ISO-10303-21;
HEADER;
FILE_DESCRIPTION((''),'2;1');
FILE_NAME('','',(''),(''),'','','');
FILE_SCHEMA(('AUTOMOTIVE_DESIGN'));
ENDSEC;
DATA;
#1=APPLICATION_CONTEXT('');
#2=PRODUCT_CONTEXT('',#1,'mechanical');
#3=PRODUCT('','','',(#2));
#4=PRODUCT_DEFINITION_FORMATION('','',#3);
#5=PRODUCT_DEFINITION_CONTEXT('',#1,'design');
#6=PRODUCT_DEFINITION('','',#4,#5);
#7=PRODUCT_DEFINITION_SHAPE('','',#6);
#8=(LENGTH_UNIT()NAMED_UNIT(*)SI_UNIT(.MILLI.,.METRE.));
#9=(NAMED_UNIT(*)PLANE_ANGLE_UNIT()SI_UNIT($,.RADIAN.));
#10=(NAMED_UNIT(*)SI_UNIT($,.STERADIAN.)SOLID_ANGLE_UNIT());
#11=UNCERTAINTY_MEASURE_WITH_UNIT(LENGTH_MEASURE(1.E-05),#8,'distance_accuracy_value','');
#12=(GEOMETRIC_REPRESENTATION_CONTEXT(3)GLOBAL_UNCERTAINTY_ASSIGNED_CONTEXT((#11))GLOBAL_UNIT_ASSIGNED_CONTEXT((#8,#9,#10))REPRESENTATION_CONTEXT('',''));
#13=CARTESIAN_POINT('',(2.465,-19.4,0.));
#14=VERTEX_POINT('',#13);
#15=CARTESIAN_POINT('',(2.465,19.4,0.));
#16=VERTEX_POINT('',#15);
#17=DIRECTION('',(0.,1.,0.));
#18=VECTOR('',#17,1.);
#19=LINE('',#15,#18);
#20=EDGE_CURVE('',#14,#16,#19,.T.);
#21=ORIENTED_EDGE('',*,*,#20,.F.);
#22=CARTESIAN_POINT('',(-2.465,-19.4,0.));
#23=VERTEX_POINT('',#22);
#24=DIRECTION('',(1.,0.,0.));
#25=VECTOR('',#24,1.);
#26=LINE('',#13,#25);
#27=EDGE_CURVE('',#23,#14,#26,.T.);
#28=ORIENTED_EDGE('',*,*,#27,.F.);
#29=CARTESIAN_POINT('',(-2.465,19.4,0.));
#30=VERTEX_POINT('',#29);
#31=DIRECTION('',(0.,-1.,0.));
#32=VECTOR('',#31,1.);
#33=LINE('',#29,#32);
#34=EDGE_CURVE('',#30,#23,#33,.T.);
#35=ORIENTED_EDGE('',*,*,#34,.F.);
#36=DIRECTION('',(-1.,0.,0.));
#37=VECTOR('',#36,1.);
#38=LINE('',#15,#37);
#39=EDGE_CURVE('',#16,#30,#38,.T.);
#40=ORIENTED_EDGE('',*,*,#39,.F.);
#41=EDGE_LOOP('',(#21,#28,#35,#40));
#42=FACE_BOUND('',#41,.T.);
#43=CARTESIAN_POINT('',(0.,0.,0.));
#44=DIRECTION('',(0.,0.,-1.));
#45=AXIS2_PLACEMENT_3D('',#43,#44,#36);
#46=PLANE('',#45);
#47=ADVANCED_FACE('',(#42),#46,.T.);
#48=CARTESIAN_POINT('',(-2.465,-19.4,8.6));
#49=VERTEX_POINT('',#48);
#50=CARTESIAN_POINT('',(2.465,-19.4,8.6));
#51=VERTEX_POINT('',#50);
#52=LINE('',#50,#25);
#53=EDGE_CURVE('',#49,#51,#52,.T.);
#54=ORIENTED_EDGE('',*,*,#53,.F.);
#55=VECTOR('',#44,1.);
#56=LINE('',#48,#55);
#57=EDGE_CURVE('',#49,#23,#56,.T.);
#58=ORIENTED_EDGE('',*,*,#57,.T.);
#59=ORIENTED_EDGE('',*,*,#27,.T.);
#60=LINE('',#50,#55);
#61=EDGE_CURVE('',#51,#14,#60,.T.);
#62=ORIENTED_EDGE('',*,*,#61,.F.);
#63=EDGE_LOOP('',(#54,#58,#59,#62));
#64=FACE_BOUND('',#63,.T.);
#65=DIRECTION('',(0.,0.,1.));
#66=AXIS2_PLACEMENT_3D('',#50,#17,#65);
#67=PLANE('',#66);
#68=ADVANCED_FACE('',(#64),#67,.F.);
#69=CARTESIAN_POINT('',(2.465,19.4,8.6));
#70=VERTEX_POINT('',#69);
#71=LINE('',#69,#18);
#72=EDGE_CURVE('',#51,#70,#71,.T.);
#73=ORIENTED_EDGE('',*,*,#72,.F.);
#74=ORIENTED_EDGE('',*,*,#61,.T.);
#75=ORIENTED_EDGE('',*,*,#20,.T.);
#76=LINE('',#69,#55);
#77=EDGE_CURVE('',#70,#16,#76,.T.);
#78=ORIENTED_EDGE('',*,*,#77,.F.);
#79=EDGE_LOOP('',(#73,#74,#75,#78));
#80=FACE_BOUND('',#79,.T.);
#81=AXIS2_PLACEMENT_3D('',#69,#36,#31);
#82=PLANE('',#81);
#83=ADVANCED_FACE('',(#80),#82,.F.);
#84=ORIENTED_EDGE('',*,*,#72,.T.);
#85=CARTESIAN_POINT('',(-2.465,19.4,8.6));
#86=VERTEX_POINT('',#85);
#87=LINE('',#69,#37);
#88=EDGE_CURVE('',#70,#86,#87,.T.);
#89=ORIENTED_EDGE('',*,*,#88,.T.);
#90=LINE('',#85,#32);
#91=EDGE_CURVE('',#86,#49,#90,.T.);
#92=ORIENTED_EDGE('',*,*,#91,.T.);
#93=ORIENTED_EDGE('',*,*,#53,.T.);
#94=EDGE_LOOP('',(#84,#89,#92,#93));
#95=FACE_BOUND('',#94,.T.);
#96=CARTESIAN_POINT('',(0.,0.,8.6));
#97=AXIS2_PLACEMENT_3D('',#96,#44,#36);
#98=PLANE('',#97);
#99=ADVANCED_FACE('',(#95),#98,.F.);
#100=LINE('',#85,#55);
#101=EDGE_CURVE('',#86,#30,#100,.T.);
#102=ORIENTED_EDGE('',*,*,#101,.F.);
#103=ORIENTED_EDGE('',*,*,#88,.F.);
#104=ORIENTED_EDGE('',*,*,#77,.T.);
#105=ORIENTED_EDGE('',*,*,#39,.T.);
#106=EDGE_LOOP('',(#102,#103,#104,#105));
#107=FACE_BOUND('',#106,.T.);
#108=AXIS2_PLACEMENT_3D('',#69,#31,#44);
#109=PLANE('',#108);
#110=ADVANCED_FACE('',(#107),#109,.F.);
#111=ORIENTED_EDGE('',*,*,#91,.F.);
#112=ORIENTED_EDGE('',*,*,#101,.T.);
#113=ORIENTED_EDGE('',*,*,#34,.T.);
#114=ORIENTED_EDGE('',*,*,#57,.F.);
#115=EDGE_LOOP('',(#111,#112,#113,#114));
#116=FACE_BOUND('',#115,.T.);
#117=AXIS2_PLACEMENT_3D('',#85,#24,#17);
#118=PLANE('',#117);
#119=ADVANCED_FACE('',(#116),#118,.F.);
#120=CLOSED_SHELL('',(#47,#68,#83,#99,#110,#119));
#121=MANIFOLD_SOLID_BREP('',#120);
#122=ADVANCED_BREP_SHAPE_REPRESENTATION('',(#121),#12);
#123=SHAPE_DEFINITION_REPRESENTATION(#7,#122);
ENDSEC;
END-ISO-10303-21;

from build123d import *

# Parameters (mm, degrees)
SKICA1_W                = 4.93
SKICA1_H                = 38.8
P_IDAT_VYSUNUT_M1_DEPTH = 8.6


with BuildPart() as part:
    # Skica1 → Přidat vysunutím1 (new body)
    with BuildSketch(Plane.XY):
        Rectangle(SKICA1_W, SKICA1_H)
    extrude(amount=P_IDAT_VYSUNUT_M1_DEPTH)


solid = part.part
